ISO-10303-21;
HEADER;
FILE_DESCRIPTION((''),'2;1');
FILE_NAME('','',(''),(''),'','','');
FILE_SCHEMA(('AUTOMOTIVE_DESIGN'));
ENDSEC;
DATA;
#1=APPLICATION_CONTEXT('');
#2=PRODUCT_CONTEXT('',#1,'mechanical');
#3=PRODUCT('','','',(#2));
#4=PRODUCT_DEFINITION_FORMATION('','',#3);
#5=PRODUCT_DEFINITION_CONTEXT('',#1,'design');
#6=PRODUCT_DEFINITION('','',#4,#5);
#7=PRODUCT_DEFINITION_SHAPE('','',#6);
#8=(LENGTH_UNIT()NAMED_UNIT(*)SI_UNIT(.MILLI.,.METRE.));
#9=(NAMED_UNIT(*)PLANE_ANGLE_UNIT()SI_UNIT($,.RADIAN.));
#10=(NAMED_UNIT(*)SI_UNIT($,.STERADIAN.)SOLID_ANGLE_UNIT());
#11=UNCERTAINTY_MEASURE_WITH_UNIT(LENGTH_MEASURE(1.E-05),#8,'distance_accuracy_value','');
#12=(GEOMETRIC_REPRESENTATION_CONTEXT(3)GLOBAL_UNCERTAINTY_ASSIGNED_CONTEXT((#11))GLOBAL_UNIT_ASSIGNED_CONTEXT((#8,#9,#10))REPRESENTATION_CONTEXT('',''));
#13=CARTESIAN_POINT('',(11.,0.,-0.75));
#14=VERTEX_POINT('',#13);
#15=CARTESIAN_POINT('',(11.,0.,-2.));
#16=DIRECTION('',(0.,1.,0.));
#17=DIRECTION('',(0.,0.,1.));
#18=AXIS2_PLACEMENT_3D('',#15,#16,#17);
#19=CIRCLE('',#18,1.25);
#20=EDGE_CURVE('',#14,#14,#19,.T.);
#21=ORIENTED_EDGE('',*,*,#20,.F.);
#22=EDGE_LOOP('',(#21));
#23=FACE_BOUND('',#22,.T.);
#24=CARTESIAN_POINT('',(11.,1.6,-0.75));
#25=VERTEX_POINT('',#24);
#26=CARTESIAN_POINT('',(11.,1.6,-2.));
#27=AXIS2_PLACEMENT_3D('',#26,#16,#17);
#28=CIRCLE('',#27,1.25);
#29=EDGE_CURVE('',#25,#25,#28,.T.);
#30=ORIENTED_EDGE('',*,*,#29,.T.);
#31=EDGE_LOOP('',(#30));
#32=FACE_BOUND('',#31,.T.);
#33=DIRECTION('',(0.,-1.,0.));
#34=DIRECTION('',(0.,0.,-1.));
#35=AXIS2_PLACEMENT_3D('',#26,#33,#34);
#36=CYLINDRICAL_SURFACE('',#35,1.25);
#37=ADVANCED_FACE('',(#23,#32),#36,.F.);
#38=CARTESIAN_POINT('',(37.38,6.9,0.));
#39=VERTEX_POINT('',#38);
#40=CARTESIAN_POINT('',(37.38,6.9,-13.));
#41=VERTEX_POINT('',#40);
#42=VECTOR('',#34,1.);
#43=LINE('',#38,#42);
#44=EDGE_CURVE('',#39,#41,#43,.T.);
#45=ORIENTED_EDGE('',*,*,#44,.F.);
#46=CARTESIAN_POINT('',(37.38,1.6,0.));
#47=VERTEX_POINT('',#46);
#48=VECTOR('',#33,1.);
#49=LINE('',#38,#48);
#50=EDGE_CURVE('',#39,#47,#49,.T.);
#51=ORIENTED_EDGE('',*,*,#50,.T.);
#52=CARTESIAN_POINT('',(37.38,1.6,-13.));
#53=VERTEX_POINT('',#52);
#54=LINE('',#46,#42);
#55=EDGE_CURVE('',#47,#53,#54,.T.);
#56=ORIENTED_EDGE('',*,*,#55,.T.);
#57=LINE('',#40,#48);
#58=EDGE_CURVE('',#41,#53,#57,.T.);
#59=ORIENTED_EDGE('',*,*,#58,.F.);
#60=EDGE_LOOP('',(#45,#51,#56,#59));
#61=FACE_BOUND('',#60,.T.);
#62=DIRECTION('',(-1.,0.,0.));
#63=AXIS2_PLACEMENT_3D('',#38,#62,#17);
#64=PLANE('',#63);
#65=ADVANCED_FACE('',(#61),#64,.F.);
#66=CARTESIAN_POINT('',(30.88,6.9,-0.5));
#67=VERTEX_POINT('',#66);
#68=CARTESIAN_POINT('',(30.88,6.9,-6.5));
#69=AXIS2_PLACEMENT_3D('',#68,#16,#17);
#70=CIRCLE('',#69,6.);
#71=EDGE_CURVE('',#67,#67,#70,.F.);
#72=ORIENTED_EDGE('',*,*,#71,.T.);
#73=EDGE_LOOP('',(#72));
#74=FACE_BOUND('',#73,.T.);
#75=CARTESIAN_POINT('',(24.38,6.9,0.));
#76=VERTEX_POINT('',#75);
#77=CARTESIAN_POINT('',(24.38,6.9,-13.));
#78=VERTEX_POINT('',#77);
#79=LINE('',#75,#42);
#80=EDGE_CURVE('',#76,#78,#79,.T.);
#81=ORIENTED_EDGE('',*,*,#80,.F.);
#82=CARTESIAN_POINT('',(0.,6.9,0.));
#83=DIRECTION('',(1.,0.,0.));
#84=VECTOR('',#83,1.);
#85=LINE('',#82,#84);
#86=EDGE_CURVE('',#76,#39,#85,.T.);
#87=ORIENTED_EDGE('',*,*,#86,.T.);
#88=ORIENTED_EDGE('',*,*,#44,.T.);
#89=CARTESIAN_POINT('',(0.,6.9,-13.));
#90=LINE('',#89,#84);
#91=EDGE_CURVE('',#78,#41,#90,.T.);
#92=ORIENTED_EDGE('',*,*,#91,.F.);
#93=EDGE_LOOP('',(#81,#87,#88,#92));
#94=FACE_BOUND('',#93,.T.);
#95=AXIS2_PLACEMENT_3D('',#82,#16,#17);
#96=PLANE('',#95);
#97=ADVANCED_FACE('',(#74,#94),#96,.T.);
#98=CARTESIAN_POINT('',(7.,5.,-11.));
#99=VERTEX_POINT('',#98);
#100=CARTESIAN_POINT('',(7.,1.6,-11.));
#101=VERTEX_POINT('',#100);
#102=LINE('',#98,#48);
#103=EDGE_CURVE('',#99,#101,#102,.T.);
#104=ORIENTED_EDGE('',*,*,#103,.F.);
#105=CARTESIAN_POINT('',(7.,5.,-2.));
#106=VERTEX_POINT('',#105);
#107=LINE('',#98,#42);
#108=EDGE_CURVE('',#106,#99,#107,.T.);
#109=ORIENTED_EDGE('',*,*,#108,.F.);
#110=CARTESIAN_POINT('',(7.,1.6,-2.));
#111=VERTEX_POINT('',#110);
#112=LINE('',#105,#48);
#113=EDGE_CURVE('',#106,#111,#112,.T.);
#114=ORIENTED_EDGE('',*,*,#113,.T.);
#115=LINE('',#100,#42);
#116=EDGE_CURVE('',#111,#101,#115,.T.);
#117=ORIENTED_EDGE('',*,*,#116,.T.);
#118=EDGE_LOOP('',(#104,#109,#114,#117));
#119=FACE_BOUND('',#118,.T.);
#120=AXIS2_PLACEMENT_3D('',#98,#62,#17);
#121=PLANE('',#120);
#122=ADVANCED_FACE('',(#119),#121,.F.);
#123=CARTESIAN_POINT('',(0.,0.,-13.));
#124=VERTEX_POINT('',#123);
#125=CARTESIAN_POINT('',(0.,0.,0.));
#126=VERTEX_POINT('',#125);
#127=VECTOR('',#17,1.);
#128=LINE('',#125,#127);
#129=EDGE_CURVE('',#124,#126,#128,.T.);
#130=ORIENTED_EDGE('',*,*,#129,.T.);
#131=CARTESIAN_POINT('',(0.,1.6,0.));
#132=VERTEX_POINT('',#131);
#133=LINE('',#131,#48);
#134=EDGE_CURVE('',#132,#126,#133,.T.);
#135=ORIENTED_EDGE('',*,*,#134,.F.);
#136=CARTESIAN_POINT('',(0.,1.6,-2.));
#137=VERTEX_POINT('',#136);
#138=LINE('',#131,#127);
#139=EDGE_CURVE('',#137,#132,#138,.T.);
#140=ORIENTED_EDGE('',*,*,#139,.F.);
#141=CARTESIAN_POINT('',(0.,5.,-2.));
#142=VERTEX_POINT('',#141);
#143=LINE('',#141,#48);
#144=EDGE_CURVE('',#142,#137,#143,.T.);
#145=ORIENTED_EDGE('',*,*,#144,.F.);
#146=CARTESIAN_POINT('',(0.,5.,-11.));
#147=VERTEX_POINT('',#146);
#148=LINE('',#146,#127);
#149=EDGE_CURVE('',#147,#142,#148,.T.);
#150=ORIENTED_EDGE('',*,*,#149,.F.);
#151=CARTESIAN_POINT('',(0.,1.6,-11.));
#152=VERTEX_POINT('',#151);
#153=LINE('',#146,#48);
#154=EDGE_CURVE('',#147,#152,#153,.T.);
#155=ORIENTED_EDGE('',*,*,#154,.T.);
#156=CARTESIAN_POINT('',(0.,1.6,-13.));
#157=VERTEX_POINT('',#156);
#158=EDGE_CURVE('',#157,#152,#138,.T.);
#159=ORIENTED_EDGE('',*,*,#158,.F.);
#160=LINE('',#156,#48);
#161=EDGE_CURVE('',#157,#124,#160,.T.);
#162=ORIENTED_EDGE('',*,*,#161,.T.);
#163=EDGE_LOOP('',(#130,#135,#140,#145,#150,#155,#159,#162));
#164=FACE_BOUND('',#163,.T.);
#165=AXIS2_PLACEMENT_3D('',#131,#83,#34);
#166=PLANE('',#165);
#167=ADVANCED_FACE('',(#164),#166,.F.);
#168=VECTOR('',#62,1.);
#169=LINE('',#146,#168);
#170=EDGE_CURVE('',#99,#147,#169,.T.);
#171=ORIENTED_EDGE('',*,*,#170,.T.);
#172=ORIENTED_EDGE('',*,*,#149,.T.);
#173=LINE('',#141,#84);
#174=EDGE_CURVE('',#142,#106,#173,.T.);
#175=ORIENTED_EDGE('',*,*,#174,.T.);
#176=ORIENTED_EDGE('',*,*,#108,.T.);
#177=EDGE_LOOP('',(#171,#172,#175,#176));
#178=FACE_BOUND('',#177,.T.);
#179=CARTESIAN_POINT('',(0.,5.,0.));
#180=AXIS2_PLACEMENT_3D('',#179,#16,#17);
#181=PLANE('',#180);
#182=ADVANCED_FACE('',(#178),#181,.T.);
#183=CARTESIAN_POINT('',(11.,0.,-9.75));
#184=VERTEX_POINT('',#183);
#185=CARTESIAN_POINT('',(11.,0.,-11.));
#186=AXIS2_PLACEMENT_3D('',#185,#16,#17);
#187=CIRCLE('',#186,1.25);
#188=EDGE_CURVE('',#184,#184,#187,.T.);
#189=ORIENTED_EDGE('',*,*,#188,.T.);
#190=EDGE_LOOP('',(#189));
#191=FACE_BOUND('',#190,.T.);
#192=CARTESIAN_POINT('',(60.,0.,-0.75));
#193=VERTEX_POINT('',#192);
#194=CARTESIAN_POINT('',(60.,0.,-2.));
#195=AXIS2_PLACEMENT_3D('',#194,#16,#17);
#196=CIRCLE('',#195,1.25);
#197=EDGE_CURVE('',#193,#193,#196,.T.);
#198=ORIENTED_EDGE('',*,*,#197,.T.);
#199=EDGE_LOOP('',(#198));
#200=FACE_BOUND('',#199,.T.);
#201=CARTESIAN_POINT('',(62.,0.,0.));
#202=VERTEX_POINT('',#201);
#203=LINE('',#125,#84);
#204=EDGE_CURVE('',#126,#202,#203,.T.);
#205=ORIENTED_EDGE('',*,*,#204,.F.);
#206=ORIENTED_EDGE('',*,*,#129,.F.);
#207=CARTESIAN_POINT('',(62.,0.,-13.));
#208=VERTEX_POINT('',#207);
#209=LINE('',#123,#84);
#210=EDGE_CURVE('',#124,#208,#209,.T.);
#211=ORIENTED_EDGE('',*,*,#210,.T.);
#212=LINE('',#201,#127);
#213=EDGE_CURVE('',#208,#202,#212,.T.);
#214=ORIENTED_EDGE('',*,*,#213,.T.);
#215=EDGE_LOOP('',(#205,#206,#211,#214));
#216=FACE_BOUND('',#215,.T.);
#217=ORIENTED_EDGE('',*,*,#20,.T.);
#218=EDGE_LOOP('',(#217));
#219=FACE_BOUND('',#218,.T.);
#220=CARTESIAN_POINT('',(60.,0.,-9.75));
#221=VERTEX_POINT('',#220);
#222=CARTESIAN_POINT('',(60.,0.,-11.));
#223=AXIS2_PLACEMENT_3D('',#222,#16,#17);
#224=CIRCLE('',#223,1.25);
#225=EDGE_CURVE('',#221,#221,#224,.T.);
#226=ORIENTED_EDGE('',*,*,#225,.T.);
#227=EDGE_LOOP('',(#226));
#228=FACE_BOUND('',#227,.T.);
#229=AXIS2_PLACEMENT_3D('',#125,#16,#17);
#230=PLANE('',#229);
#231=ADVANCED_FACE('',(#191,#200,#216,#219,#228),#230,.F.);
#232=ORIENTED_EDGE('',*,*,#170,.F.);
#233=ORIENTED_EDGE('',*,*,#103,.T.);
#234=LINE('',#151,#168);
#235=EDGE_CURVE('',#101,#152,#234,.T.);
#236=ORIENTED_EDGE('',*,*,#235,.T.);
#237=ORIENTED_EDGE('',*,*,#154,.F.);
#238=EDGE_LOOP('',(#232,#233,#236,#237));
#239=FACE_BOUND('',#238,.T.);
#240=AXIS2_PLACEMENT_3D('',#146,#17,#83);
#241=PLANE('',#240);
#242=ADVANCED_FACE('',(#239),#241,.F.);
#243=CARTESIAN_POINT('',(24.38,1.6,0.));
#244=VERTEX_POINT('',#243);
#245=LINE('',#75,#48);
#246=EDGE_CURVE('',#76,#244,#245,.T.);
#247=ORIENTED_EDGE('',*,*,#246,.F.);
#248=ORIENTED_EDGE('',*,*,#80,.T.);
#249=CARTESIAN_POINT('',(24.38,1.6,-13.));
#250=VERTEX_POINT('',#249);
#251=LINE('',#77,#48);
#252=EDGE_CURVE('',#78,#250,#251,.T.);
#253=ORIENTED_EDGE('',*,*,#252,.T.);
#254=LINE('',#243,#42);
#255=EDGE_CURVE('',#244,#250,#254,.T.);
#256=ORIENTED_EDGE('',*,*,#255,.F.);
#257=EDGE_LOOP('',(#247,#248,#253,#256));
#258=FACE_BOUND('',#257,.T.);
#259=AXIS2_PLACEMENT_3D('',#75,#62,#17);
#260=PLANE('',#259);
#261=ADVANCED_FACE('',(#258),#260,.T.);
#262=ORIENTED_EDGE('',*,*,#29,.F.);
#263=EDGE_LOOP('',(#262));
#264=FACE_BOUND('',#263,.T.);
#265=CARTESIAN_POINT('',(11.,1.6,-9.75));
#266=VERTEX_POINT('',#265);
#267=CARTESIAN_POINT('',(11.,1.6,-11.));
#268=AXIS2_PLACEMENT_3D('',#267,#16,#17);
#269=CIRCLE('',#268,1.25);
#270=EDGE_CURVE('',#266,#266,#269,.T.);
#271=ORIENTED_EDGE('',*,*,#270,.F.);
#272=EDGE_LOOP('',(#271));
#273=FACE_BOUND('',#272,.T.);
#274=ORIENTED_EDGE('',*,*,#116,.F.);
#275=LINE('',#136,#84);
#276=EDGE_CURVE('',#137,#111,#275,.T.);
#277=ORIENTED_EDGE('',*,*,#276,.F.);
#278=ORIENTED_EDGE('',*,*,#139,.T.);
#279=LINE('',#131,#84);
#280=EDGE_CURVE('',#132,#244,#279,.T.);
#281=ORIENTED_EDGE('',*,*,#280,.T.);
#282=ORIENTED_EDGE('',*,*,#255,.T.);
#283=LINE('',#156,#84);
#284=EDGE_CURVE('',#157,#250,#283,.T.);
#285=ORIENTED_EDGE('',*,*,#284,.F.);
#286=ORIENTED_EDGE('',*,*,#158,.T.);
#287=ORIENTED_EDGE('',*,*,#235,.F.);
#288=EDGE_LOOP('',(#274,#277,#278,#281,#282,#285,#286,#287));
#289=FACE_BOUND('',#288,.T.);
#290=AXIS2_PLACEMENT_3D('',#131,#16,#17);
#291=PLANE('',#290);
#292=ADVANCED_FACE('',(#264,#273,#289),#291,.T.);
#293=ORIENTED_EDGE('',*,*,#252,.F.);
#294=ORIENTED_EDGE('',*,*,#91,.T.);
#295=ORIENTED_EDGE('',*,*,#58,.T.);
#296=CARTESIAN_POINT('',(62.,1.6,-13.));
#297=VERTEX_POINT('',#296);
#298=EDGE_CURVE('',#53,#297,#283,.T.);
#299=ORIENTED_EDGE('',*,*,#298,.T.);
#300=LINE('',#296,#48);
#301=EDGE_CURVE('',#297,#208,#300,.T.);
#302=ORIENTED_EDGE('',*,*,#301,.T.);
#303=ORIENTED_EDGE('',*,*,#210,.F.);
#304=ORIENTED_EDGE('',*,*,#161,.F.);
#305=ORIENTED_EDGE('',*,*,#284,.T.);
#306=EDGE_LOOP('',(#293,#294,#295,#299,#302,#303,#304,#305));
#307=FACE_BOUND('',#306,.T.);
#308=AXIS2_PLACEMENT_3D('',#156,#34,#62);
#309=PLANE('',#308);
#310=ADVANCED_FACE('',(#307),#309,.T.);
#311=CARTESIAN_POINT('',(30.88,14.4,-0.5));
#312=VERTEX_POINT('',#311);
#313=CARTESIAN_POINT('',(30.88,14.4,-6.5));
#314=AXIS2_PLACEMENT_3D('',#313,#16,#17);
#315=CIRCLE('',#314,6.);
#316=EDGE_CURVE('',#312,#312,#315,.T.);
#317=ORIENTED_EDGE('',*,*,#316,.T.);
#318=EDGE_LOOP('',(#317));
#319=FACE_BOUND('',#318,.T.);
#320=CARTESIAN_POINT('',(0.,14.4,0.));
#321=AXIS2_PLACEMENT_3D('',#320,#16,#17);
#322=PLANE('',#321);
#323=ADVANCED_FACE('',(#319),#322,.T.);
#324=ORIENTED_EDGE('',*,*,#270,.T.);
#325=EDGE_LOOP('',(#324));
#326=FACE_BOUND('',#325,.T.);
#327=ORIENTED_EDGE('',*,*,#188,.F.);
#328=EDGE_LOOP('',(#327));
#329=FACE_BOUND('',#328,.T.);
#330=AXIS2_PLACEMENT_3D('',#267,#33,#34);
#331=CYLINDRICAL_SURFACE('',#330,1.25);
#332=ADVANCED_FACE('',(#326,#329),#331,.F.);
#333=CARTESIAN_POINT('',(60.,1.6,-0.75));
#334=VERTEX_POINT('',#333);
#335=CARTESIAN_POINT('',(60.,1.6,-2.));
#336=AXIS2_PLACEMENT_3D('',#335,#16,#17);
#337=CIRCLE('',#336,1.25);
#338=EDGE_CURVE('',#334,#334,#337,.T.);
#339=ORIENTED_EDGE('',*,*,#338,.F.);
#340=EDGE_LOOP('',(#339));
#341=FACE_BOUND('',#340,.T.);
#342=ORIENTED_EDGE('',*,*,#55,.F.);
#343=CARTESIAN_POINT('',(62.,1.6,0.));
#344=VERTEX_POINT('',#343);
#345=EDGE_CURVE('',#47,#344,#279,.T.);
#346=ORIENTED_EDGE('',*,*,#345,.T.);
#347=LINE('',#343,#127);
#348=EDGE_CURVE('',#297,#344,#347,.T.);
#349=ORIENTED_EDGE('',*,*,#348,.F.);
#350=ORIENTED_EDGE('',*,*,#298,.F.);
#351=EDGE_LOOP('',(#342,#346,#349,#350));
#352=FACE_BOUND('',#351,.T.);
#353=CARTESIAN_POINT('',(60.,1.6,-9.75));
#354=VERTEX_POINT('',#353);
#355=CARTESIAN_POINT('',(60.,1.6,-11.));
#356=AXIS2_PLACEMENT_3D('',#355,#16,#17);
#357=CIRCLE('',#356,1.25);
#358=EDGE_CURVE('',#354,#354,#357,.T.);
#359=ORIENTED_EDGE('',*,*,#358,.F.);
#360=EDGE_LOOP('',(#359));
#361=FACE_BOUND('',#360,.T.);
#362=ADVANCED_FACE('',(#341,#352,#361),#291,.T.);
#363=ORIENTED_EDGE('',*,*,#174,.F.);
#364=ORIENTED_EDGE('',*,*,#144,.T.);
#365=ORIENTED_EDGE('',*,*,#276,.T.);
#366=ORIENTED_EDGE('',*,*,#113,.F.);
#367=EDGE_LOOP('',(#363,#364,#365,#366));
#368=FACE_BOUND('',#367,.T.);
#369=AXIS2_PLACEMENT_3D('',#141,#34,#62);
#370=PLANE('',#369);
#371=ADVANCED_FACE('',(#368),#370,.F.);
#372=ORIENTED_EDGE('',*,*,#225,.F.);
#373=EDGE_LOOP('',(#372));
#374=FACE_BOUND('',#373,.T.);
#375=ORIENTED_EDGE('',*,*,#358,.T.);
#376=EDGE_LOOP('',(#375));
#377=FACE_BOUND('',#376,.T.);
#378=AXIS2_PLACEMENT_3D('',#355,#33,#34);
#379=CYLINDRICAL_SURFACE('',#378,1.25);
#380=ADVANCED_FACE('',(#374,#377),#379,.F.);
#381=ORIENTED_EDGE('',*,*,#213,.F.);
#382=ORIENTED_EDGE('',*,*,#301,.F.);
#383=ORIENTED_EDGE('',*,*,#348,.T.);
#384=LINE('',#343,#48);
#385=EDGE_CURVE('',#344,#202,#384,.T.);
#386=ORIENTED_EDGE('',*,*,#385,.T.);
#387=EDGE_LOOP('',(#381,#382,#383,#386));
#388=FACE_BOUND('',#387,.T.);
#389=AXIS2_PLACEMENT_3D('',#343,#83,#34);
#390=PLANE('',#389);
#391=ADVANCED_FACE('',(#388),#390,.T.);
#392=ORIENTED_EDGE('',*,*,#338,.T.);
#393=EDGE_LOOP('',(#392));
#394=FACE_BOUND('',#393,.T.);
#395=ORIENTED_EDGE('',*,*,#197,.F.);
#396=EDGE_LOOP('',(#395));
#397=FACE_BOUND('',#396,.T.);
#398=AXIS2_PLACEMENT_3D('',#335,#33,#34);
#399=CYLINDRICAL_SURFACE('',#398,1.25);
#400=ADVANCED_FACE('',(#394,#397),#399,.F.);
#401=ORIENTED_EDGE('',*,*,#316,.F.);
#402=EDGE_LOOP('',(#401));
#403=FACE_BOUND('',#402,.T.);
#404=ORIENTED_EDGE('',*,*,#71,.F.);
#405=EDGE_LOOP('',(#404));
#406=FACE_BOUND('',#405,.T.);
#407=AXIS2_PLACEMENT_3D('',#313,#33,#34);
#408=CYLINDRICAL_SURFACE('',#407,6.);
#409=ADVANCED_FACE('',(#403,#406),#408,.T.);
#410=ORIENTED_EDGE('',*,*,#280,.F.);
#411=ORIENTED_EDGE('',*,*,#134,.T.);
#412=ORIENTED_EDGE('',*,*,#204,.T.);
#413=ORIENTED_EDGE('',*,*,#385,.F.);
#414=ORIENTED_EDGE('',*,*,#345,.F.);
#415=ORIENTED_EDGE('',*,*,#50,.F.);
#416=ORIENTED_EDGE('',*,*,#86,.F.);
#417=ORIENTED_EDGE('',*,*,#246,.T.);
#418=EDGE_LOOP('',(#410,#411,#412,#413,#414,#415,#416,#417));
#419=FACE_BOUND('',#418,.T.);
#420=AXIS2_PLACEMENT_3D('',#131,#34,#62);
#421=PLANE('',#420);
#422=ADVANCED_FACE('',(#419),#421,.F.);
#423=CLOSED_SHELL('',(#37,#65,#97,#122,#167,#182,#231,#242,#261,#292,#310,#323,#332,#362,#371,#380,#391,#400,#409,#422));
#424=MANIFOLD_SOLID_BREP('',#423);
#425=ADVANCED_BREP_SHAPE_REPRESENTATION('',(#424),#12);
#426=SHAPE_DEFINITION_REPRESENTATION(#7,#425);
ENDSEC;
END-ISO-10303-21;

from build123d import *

# Parameters (mm, degrees)
SKETCH1_W             = 24.38
SKETCH1_H             = 13
SKETCH1_R             = 1.25
BOSS_EXTRUDE1_DEPTH   = 1.6
SKETCH1_W_2           = 24.62
BOSS_EXTRUDE1_2_DEPTH = 1.6
SKETCH1_3_W           = 13
SKETCH1_3_H           = 13
BOSS_EXTRUDE2_DEPTH   = 6.9
SKETCH1_4_R           = 6
BOSS_EXTRUDE3_DEPTH   = 14.4
SKETCH3_W             = 7
SKETCH3_H             = 9
BOSS_EXTRUDE4_DEPTH   = 3.4


with BuildPart() as part:
    # Sketch1 → Boss-Extrude1 (new body)
    with BuildSketch(Plane(origin=(0, 0, 0), x_dir=(1, 0, 0), z_dir=(0, 1, 0))):
        with Locations((12.19, 6.5)):
            Rectangle(SKETCH1_W, SKETCH1_H)
        with Locations((11, 2)):
            Circle(SKETCH1_R, mode=Mode.SUBTRACT)
        with Locations((11, 11)):
            Circle(SKETCH1_R, mode=Mode.SUBTRACT)
    extrude(amount=BOSS_EXTRUDE1_DEPTH)



with BuildPart() as body_2:
    # Sketch1 → Boss-Extrude1 2 (new body)
    with BuildSketch(Plane(origin=(0, 0, 0), x_dir=(1, 0, 0), z_dir=(0, 1, 0))):
        with Locations((49.69, 6.5)):
            Rectangle(SKETCH1_W_2, SKETCH1_H)
        with Locations((60, 2)):
            Circle(SKETCH1_R, mode=Mode.SUBTRACT)
        with Locations((60, 11)):
            Circle(SKETCH1_R, mode=Mode.SUBTRACT)
    extrude(amount=BOSS_EXTRUDE1_2_DEPTH)


with BuildPart() as part_1:
    add(part.part)

    add(body_2.part)  # Boss-Extrude2 merges body 2
    # Sketch1<3> → Boss-Extrude2 (add)
    with BuildSketch(Plane(origin=(0, 0, 0), x_dir=(1, 0, 0), z_dir=(0, 1, 0))):
        with Locations((30.88, 6.5)):
            Rectangle(SKETCH1_3_W, SKETCH1_3_H)
    extrude(amount=BOSS_EXTRUDE2_DEPTH)

    # Sketch1<4> → Boss-Extrude3 (add)
    with BuildSketch(Plane(origin=(0, 0, 0), x_dir=(1, 0, 0), z_dir=(0, 1, 0))):
        with Locations((30.88, 6.5)):
            Circle(SKETCH1_4_R)
    extrude(amount=BOSS_EXTRUDE3_DEPTH)

    # Sketch3 → Boss-Extrude4 (add)
    with BuildSketch(Plane(origin=(0, 1.6, 0), x_dir=(1, 0, 0), z_dir=(0, 1, 0))):
        with Locations((3.5, 6.5)):
            Rectangle(SKETCH3_W, SKETCH3_H)
    extrude(amount=BOSS_EXTRUDE4_DEPTH)


solid = part_1.part
